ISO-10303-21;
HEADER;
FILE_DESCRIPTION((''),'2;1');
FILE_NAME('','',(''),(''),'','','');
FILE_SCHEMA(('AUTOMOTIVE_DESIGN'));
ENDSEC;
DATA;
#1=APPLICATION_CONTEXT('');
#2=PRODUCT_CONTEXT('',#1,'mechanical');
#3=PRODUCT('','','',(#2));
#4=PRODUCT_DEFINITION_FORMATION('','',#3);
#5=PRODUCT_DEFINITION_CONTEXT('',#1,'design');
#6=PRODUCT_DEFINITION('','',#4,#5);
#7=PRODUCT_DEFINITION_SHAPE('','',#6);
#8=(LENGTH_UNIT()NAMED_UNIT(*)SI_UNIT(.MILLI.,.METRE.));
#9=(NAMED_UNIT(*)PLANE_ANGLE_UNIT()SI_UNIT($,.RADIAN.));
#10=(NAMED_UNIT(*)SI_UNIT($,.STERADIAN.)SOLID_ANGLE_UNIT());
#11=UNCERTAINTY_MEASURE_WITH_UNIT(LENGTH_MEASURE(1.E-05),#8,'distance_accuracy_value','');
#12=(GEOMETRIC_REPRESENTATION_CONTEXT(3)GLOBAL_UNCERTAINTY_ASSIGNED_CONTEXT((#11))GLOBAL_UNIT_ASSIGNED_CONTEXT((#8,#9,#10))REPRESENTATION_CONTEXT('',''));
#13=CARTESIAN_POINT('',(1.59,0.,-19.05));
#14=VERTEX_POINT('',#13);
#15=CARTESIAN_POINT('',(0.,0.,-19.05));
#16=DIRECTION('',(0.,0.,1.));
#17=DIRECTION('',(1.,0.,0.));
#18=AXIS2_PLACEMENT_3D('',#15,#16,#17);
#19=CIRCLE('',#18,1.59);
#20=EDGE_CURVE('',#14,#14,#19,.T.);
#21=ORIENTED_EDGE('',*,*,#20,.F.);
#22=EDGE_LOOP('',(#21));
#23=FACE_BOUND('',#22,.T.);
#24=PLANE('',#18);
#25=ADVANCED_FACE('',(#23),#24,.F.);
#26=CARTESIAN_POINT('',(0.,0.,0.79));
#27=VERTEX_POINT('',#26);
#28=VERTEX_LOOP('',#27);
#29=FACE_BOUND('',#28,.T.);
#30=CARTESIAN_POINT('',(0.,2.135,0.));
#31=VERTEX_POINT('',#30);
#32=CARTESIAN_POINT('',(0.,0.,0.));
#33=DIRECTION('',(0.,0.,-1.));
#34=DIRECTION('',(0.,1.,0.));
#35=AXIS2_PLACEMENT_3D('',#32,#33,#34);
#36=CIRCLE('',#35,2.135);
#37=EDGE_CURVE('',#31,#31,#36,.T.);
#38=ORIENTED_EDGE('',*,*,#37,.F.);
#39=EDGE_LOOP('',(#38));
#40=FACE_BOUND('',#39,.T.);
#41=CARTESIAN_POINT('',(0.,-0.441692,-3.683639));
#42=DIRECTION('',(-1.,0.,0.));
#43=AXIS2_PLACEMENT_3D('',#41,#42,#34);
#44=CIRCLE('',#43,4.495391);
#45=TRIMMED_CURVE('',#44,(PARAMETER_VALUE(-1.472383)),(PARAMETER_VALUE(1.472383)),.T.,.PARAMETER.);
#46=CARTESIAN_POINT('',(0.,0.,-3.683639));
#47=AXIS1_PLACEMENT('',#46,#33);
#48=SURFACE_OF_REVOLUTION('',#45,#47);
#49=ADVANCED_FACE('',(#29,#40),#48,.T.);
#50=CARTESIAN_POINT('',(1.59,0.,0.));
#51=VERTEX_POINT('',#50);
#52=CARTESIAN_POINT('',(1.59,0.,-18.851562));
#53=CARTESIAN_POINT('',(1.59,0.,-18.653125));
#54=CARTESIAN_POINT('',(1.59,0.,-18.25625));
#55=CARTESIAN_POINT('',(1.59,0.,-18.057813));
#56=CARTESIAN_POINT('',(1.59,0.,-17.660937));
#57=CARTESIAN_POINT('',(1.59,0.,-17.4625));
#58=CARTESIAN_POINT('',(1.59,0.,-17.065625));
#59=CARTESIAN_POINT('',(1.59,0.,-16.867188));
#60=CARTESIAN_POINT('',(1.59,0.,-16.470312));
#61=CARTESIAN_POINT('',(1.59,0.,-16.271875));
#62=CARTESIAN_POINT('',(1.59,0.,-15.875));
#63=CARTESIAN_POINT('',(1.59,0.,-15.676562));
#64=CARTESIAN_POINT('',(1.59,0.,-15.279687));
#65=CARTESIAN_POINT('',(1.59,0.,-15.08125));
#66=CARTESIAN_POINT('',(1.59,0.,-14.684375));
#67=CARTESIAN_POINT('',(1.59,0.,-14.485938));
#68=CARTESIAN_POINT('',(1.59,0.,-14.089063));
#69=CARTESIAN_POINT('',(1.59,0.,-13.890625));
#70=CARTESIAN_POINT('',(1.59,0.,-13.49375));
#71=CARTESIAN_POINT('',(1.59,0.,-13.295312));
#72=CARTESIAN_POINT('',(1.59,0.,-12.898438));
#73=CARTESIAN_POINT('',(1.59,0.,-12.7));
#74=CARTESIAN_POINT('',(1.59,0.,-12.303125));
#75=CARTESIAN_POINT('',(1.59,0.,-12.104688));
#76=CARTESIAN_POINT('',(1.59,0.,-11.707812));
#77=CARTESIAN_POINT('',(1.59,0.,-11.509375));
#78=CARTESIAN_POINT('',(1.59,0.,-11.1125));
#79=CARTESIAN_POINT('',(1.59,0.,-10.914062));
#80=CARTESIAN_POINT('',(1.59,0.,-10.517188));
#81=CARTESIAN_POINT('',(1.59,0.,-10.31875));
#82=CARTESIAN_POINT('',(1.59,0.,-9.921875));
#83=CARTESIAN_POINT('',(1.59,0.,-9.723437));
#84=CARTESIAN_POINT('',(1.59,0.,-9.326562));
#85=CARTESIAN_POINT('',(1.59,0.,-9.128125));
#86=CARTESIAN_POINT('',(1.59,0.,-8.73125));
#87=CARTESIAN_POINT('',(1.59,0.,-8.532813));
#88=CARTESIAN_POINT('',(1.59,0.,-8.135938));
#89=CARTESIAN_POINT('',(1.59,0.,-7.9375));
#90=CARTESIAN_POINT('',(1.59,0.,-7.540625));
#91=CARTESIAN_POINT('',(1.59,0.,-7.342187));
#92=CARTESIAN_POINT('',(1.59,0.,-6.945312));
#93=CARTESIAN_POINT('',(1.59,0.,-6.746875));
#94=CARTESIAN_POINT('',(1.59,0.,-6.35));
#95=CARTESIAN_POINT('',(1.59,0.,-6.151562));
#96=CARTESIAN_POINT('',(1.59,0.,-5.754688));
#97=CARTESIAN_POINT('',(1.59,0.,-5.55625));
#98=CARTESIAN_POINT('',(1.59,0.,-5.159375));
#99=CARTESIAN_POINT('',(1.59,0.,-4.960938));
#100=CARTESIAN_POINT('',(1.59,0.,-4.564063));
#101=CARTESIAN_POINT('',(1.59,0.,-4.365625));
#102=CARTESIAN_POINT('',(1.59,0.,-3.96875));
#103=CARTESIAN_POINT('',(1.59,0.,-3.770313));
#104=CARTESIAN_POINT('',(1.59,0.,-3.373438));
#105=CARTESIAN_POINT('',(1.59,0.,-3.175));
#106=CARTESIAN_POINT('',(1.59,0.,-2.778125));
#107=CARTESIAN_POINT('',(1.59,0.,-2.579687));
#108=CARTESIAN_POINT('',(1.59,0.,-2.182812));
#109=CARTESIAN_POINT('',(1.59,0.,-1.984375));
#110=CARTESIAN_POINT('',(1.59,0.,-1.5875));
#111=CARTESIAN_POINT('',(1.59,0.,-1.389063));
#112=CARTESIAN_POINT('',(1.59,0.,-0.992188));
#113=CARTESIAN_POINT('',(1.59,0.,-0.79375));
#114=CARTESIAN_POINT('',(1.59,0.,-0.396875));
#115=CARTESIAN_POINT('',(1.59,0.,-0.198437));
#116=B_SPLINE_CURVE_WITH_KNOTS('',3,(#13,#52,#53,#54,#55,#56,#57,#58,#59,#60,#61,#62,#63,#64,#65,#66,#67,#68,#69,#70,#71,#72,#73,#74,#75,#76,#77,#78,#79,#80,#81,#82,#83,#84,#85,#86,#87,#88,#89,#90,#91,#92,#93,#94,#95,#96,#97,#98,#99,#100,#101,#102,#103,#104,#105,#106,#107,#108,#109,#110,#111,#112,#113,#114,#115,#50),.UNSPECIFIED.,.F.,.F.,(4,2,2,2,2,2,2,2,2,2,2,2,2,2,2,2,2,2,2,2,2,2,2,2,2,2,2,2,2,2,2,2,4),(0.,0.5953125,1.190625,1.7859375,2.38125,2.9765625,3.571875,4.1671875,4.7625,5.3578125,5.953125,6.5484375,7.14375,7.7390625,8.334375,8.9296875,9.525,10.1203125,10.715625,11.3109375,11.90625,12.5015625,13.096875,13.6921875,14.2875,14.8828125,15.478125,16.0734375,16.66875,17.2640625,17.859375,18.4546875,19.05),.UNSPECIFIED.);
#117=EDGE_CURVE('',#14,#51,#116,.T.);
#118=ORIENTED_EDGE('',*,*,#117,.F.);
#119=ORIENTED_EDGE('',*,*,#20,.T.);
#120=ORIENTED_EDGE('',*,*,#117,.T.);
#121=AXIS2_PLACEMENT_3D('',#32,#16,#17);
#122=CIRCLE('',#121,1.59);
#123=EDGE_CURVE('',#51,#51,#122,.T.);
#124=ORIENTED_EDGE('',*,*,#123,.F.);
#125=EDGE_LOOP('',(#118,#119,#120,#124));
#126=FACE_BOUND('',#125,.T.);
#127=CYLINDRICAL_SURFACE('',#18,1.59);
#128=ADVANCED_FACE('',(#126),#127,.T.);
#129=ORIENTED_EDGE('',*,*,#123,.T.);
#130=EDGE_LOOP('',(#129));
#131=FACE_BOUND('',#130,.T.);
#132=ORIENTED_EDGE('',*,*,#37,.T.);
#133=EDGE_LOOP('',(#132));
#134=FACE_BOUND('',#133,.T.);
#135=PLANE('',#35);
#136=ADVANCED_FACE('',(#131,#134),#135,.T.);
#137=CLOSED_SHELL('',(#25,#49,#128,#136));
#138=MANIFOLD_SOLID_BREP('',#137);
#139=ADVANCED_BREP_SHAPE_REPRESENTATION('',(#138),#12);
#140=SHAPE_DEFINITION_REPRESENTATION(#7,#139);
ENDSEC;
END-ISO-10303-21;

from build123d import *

# Parameters (mm, degrees)
SKETCH2_R           = 1.59
BOSS_EXTRUDE1_DEPTH = 19.05


with BuildPart() as part:
    # Sketch2 → Boss-Extrude1 (new body)
    with BuildSketch(Plane.XY):
        Circle(SKETCH2_R)
    extrude(amount=-BOSS_EXTRUDE1_DEPTH)

    # Sketch5 → Revolve1 (revolve)
    with BuildSketch(Plane(origin=(0, 0, 0), x_dir=(0, 0, -1), z_dir=(1, 0, 0))):
        with BuildLine():
            Line((0, 0), (-0.79, 0))
            ThreePointArc((-0.79, 0), (-0.532384277, 1.1183354), (0, 2.135))
            Line((0, 2.135), (0, 0))
        make_face()
    revolve(axis=Axis((0, 0, 0), (0, 0, 1)))


solid = part.part
